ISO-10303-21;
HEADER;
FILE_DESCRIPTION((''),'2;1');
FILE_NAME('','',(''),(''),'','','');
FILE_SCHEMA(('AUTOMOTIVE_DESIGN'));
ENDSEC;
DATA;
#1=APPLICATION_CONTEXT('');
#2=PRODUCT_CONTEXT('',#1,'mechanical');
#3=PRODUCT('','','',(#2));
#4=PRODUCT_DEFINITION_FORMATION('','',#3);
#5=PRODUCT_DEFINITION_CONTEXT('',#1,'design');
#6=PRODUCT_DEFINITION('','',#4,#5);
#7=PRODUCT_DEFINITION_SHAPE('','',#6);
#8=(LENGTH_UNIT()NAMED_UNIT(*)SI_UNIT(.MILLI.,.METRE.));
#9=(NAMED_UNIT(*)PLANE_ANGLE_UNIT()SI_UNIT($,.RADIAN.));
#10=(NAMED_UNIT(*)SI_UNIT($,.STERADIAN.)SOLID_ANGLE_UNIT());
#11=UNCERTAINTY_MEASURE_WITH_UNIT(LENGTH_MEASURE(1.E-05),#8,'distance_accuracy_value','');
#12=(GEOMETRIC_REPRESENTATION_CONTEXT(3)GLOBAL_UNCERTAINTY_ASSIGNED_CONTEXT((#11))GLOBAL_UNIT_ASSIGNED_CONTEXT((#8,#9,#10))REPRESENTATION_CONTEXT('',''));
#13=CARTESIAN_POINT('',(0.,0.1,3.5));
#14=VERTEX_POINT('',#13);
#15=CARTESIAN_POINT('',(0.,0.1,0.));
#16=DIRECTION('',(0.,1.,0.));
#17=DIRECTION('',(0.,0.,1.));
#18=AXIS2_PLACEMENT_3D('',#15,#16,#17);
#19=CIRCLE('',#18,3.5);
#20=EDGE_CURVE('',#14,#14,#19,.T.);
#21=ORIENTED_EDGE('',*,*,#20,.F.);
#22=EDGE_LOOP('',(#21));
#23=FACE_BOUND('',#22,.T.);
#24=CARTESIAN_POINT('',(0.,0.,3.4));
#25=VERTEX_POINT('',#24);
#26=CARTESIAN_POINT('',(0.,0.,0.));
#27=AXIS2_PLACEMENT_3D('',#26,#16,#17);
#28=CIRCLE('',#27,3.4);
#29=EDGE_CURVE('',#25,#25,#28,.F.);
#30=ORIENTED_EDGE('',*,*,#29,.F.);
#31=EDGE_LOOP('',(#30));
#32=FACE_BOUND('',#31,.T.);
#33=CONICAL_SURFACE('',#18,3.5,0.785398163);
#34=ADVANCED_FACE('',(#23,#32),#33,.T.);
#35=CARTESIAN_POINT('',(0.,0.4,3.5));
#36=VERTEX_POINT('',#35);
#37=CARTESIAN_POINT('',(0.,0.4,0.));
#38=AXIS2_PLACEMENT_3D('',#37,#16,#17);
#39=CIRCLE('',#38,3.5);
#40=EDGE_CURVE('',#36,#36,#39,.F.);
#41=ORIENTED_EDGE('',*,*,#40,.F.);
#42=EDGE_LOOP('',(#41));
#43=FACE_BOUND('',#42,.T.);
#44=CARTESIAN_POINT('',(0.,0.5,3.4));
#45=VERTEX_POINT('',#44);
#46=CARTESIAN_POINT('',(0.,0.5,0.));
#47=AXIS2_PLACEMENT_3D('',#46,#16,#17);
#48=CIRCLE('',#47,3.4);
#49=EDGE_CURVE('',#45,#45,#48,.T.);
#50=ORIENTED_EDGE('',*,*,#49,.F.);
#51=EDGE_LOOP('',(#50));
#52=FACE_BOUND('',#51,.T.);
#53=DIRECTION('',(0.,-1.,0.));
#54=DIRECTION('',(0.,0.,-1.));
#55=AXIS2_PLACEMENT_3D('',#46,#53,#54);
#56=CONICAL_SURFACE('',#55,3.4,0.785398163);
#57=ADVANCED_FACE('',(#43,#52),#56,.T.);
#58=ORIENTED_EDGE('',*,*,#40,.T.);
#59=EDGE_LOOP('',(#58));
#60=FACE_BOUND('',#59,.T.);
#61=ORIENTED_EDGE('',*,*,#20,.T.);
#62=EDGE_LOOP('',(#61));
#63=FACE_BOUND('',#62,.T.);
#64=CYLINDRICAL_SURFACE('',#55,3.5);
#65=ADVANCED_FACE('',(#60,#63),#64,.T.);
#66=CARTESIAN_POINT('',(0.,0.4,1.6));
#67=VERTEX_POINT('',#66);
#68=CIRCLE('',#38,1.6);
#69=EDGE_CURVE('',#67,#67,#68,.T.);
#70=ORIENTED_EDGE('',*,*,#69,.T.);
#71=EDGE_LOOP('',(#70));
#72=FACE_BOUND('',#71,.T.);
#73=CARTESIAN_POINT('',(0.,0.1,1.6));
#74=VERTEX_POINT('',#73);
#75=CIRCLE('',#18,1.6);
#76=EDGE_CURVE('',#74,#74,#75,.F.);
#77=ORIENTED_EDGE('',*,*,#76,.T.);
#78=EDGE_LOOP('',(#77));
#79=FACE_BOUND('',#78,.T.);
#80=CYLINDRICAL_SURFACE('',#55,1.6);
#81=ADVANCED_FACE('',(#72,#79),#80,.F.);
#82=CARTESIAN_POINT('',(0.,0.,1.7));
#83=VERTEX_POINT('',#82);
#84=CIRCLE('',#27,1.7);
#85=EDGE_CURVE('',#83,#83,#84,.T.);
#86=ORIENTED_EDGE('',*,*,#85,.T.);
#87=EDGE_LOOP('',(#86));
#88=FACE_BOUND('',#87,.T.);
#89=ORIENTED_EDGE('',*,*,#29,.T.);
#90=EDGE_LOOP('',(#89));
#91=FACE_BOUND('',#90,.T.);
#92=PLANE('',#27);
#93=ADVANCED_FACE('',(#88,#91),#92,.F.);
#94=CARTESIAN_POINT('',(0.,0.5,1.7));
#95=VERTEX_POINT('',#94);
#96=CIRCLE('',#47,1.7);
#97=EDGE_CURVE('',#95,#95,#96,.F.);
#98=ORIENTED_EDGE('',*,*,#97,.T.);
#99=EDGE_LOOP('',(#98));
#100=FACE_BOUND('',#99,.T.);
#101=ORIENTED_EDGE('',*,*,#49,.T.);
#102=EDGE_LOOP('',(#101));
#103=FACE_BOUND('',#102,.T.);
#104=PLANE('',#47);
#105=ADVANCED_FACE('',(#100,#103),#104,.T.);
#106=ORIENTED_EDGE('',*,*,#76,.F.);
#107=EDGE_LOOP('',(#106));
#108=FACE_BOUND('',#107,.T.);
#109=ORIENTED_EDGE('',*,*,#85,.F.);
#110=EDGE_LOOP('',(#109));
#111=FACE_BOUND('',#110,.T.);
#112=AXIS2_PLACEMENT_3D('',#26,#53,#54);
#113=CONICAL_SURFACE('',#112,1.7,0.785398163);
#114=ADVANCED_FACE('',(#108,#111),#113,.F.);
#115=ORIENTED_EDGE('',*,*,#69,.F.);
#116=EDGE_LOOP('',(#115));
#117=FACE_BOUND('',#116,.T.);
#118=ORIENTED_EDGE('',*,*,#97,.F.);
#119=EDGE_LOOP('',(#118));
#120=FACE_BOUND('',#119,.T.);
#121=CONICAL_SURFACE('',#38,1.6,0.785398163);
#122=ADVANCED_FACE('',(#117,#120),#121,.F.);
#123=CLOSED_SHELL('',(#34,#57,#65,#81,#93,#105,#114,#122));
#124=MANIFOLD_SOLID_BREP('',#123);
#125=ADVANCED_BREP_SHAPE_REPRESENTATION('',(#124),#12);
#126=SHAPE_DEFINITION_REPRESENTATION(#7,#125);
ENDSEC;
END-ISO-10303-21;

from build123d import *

# Parameters (mm, degrees)
SKETCH1_R           = 3.5
SKETCH1_R_2         = 1.6
BOSS_EXTRUDE1_DEPTH = 0.5
CHAMFER1_SIZE       = 0.1


with BuildPart() as part:
    # Sketch1 → Boss-Extrude1 (new body)
    with BuildSketch(Plane(origin=(0, 0, 0), x_dir=(1, 0, 0), z_dir=(0, 1, 0))):
        with Locations(Location((0, 0, 0), (0, 0, 270))):
            Circle(SKETCH1_R)
        with Locations(Location((0, 0, 0), (0, 0, 270))):
            Circle(SKETCH1_R_2, mode=Mode.SUBTRACT)
    extrude(amount=BOSS_EXTRUDE1_DEPTH)

    # Chamfer1
    chamfer1_edges = [part.edges().sort_by_distance(p)[0] for p in [
        (0, 0, -3.5),
        (0, 0.5, -3.5),
        (0, 0, -1.6),
        (0, 0.5, -1.6),
    ]]
    chamfer(chamfer1_edges, length=CHAMFER1_SIZE)


solid = part.part
